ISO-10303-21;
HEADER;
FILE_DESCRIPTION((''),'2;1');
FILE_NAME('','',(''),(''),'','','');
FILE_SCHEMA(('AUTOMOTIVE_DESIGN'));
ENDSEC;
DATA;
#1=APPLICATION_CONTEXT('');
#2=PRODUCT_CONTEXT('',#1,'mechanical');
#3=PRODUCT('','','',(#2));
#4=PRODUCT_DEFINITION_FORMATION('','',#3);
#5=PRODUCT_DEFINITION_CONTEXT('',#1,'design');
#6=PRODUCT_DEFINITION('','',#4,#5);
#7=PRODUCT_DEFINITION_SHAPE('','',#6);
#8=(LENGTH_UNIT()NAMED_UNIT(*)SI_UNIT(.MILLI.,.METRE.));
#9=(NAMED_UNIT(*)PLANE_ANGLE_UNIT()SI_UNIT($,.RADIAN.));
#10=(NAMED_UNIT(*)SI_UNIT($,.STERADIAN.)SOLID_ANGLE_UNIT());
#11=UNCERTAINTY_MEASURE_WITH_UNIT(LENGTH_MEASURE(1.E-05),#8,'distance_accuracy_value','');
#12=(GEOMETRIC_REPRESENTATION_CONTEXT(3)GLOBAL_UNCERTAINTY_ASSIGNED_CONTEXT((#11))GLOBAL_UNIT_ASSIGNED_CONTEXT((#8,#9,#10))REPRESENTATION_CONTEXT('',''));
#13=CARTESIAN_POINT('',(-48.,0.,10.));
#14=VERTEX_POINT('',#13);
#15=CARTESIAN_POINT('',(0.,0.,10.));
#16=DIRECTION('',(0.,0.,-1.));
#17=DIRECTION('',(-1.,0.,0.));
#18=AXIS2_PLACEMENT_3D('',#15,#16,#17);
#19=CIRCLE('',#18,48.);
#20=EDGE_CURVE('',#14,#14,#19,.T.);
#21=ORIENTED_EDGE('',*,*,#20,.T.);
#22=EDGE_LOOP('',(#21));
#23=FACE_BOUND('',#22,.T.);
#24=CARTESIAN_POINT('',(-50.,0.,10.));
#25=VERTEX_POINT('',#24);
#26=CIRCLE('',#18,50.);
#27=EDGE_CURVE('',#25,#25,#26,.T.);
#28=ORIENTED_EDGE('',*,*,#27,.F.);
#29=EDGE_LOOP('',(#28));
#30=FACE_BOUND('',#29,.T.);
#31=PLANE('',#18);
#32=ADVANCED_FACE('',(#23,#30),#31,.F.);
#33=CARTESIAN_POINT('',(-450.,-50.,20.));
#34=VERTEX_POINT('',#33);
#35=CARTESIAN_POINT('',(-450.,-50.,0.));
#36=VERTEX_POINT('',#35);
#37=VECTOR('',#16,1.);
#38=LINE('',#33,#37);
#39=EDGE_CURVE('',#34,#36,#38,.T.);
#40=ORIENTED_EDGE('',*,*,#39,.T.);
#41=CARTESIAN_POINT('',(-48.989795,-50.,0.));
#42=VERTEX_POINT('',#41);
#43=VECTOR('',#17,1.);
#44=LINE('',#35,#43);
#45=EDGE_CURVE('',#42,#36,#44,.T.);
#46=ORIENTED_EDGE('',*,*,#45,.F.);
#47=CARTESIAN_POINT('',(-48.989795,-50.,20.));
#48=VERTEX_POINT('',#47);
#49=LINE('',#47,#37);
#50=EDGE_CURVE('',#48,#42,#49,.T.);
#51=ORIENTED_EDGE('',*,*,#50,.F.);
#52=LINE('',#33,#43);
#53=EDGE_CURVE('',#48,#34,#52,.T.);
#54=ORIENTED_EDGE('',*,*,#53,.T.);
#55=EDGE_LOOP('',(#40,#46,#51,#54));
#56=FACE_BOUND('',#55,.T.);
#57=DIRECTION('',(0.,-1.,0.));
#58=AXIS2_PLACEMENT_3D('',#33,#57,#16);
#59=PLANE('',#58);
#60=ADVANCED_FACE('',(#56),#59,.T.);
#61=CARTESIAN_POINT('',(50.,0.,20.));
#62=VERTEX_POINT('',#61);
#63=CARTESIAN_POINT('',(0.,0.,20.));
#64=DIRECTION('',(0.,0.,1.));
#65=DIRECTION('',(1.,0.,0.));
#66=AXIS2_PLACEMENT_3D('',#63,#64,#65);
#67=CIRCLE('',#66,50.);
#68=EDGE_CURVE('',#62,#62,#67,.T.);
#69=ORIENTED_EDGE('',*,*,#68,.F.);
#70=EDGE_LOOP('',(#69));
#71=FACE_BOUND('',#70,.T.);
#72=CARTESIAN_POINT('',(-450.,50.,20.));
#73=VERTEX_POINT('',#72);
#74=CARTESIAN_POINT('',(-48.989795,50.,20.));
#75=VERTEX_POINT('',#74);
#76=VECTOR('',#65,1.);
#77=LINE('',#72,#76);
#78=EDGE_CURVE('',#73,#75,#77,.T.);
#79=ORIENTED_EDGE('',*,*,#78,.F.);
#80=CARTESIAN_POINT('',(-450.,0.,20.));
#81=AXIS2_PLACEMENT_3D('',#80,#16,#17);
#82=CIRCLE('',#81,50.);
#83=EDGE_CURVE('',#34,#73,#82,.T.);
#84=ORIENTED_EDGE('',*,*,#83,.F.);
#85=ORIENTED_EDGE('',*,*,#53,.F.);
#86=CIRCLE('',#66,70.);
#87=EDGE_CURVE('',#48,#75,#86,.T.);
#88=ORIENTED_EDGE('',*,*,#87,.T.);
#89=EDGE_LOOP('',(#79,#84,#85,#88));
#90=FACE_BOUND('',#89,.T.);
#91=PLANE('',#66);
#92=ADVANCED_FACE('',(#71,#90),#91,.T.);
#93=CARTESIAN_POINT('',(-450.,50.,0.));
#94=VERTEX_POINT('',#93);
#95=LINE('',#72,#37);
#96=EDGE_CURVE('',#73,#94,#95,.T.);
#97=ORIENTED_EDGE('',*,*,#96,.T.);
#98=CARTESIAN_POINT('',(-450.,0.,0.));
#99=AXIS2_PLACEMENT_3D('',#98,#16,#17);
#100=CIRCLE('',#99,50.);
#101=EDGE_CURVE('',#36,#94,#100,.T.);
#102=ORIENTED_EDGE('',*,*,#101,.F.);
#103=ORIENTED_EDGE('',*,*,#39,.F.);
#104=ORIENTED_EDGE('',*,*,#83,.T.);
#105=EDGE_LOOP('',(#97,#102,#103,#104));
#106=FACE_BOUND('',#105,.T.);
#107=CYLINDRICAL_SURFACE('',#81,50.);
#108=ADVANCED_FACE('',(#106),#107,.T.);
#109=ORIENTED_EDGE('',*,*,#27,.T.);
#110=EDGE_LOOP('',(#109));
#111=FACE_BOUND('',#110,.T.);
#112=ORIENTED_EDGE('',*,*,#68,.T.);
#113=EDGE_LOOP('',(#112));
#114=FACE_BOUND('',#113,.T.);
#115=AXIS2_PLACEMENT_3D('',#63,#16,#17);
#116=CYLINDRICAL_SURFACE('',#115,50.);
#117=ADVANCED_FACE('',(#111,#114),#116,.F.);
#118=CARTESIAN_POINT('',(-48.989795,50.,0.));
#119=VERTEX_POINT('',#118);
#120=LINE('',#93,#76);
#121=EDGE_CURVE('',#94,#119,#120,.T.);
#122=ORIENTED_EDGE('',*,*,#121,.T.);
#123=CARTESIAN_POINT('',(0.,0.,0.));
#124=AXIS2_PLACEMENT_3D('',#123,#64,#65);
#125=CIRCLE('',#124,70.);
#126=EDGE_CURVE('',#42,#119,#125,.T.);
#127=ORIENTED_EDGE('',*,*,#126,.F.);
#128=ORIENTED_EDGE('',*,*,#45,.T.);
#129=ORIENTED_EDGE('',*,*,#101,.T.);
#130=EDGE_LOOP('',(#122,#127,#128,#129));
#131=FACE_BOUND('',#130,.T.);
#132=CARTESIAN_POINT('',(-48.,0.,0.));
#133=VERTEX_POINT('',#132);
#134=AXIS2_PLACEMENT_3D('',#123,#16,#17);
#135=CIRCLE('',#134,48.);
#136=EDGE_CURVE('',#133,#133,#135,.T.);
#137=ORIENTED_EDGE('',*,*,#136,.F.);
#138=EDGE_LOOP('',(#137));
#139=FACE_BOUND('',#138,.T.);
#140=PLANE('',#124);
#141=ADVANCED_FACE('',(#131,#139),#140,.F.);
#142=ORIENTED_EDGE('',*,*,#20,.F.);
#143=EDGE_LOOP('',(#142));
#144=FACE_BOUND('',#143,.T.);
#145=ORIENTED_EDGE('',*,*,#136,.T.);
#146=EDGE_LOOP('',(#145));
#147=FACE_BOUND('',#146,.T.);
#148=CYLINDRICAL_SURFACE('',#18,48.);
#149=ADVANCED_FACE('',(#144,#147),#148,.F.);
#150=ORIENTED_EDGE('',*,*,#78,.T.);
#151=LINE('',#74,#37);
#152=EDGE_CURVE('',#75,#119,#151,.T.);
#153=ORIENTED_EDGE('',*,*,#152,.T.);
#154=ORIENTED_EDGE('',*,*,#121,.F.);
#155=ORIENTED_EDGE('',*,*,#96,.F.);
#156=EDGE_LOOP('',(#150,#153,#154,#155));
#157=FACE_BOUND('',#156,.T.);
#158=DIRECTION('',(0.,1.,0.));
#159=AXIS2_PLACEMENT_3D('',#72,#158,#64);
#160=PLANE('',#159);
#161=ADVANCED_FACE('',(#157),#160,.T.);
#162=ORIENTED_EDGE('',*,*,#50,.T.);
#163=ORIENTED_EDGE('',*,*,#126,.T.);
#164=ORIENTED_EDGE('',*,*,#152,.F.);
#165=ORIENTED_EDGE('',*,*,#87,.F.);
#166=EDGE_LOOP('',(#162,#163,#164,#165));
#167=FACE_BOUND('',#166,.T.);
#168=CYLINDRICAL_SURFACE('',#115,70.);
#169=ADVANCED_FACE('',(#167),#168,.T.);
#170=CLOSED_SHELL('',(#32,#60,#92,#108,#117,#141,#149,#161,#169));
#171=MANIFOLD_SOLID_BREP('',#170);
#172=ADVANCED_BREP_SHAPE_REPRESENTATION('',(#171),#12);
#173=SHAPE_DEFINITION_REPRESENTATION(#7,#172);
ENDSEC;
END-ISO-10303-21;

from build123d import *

# Parameters (mm, degrees)
ESQUISSE1_R             = 50
BOSS_EXTRU_1_DEPTH      = 20
ESQUISSE2_R             = 50
ESQUISSE2_R_2           = 48
BOSS_EXTRU_2_DEPTH      = 10
ESQUISSE3_OUTSIDE_W     = 713.342
ESQUISSE3_OUTSIDE_H     = 263.342
ENL_V_MAT_EXTRU_1_DEPTH = 21


with BuildPart() as part:
    # Esquisse1 → Boss.-Extru.1 (new body)
    with BuildSketch(Plane.XY):
        with BuildLine():
            Line((0, -70), (-450, -70))
            ThreePointArc((-450, -70), (-520, 0), (-450, 70))
            Line((-450, 70), (0, 70))
            ThreePointArc((0, 70), (70, 0), (0, -70))
        make_face()
        Circle(ESQUISSE1_R, mode=Mode.SUBTRACT)
    extrude(amount=BOSS_EXTRU_1_DEPTH)

    # Esquisse2 → Boss.-Extru.2 (add)
    with BuildSketch(Plane(origin=(0, 0, 0), x_dir=(-1, 0, 0), z_dir=(0, 0, -1))):
        Circle(ESQUISSE2_R)
        Circle(ESQUISSE2_R_2, mode=Mode.SUBTRACT)
    extrude(amount=-BOSS_EXTRU_2_DEPTH)

    # Esquisse3 outside → Enlèv. mat.-Extru.1 (cut, through all)
    with BuildSketch(Plane(origin=(0, 0, 0), x_dir=(-1, 0, 0), z_dir=(0, 0, -1))):
        with Locations((225, 0)):
            Rectangle(ESQUISSE3_OUTSIDE_W, ESQUISSE3_OUTSIDE_H)
        with BuildLine():
            Line((450, -50), (48.989794856, -50))
            ThreePointArc((48.989794856, -50), (-70, 0), (48.989794856, 50))
            Line((48.989794856, 50), (450, 50))
            ThreePointArc((450, 50), (500, 0), (450, -50))
        make_face(mode=Mode.SUBTRACT)
    extrude(amount=-ENL_V_MAT_EXTRU_1_DEPTH, mode=Mode.SUBTRACT)


solid = part.part
